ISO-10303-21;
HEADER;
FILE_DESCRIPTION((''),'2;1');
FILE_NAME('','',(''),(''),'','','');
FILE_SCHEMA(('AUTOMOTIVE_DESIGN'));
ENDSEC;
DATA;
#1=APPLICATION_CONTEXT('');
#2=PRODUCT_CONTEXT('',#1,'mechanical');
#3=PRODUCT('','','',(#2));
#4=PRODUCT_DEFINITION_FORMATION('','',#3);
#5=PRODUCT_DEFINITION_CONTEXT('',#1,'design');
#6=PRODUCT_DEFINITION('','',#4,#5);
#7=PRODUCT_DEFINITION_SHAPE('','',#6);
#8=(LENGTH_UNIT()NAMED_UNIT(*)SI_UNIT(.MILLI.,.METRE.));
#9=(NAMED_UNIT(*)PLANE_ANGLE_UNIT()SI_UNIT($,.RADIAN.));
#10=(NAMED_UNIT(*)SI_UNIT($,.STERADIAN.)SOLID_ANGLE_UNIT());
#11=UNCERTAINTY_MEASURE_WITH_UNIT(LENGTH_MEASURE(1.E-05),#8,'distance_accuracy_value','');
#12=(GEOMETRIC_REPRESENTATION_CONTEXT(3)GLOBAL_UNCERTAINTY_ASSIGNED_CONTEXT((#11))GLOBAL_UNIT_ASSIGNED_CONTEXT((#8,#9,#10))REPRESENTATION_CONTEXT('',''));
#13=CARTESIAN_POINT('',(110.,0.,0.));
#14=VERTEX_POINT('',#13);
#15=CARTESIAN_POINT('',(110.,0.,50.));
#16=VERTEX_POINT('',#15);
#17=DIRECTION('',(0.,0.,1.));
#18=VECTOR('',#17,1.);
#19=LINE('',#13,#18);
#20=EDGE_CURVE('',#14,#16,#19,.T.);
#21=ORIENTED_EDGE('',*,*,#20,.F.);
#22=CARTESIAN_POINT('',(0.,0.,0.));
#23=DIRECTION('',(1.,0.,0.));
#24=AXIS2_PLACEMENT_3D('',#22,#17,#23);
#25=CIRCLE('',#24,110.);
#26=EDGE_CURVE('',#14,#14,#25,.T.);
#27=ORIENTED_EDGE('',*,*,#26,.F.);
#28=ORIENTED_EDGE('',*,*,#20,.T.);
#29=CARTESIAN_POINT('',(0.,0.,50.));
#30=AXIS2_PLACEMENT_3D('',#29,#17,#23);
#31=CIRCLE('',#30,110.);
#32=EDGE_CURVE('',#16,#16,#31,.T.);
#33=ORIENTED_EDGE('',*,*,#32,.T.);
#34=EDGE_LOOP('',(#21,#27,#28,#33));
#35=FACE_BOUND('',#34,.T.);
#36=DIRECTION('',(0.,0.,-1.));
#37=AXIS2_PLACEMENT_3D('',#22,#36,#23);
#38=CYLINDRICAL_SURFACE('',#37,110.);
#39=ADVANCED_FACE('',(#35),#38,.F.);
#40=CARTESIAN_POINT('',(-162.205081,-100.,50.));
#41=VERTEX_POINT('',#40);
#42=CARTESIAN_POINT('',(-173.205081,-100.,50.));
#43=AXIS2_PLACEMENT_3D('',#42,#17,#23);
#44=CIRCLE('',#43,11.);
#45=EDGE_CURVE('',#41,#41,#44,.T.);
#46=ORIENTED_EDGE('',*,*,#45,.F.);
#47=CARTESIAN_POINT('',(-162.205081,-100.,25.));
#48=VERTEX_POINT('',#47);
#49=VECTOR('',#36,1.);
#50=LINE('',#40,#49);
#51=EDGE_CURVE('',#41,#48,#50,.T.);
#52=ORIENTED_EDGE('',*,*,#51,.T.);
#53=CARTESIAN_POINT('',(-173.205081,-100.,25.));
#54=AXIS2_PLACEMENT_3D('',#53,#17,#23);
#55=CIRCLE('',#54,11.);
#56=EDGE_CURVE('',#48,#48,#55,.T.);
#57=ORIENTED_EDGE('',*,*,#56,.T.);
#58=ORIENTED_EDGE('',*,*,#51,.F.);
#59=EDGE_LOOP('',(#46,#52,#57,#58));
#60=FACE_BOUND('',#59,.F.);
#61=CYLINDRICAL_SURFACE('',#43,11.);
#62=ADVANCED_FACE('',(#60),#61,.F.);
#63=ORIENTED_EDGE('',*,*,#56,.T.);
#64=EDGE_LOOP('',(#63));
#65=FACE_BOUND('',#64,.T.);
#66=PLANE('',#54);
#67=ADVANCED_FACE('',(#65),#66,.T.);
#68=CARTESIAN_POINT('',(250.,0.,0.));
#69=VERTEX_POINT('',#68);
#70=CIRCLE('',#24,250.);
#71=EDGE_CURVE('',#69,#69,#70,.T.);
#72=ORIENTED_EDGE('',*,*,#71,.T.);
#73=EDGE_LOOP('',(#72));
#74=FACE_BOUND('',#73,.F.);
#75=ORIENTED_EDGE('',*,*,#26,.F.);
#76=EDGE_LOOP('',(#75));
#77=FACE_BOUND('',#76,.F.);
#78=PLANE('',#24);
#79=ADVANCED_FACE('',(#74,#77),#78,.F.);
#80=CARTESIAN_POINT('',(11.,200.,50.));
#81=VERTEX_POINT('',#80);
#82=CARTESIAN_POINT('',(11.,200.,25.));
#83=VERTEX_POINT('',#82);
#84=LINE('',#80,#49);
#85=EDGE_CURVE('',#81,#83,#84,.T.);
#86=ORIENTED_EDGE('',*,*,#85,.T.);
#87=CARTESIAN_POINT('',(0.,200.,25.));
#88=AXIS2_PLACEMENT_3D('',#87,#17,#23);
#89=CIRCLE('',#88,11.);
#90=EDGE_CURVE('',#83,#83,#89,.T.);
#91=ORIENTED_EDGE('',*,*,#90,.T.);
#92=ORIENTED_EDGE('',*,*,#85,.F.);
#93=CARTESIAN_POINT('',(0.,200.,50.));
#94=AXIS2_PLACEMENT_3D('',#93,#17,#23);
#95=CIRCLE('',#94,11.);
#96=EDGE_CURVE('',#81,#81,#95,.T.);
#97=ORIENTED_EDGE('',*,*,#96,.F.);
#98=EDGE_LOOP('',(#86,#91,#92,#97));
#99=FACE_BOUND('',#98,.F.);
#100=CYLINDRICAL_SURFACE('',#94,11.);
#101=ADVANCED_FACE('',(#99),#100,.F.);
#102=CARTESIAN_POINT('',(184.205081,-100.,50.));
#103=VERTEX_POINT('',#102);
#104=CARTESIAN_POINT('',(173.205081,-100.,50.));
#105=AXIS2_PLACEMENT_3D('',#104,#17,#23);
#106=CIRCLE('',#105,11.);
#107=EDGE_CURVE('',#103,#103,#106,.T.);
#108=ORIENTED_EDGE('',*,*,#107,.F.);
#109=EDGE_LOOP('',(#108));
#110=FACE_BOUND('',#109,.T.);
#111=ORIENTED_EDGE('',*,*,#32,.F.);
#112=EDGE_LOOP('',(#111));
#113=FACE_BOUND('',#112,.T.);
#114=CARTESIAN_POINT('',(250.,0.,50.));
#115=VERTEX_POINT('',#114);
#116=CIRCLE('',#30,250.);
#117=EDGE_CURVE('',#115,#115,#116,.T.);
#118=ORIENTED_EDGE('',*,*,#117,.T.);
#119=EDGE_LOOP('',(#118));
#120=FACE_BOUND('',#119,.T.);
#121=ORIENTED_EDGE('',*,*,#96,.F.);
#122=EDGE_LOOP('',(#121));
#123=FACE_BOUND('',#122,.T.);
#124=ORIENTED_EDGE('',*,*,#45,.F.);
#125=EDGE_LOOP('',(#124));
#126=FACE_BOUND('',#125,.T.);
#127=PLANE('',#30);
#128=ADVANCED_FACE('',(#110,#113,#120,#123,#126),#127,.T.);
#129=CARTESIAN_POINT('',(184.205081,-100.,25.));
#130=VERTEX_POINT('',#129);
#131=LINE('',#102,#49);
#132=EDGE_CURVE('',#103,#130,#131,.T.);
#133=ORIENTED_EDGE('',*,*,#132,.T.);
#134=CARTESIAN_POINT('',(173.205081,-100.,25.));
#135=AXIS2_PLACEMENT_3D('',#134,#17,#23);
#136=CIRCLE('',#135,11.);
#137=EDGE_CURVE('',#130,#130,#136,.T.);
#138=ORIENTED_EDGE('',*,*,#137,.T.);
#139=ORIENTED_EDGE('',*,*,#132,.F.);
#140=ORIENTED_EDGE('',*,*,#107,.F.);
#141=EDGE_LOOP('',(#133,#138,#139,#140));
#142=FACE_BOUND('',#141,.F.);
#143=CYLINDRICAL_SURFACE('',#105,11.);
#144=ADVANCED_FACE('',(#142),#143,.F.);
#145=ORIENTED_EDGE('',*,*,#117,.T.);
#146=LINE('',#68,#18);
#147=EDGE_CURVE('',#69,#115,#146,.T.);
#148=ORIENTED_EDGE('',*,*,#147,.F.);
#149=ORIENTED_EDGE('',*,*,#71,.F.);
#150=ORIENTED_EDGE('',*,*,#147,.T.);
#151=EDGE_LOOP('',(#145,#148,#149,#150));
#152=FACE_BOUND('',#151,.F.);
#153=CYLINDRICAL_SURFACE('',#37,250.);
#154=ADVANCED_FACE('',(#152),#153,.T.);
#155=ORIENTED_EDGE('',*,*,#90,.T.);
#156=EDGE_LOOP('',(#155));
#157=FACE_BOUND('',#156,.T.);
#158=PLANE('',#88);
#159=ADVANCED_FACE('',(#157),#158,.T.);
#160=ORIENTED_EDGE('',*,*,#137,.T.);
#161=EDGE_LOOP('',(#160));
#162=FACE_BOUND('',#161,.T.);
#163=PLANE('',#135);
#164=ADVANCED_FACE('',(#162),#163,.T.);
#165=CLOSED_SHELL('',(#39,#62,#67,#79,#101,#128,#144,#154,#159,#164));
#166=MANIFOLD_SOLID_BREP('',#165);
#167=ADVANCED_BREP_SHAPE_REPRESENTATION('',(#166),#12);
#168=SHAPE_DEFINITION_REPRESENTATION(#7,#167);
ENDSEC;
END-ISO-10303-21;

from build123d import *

# Parameters (mm, degrees)
F0_R     = 250
F0_R_2   = 110
F1_DEPTH = 50
F2_R     = 11
F3_DEPTH = 25


with BuildPart() as f1:
    # F0 (on Top) → F1 (new body)
    with BuildSketch(Plane.XY):
        Circle(F0_R)
        Circle(F0_R_2, mode=Mode.SUBTRACT)
    extrude(amount=F1_DEPTH)

    # F2 (on face) → F3 (cut)
    with BuildSketch(Plane.XY.offset(50)):
        with Locations((0, 200)):
            Circle(F2_R)
        with Locations((-173.205081, -100)):
            Circle(F2_R)
        with Locations((173.205081, -100)):
            Circle(F2_R)
    extrude(amount=-F3_DEPTH, mode=Mode.SUBTRACT)


solid = f1.part
